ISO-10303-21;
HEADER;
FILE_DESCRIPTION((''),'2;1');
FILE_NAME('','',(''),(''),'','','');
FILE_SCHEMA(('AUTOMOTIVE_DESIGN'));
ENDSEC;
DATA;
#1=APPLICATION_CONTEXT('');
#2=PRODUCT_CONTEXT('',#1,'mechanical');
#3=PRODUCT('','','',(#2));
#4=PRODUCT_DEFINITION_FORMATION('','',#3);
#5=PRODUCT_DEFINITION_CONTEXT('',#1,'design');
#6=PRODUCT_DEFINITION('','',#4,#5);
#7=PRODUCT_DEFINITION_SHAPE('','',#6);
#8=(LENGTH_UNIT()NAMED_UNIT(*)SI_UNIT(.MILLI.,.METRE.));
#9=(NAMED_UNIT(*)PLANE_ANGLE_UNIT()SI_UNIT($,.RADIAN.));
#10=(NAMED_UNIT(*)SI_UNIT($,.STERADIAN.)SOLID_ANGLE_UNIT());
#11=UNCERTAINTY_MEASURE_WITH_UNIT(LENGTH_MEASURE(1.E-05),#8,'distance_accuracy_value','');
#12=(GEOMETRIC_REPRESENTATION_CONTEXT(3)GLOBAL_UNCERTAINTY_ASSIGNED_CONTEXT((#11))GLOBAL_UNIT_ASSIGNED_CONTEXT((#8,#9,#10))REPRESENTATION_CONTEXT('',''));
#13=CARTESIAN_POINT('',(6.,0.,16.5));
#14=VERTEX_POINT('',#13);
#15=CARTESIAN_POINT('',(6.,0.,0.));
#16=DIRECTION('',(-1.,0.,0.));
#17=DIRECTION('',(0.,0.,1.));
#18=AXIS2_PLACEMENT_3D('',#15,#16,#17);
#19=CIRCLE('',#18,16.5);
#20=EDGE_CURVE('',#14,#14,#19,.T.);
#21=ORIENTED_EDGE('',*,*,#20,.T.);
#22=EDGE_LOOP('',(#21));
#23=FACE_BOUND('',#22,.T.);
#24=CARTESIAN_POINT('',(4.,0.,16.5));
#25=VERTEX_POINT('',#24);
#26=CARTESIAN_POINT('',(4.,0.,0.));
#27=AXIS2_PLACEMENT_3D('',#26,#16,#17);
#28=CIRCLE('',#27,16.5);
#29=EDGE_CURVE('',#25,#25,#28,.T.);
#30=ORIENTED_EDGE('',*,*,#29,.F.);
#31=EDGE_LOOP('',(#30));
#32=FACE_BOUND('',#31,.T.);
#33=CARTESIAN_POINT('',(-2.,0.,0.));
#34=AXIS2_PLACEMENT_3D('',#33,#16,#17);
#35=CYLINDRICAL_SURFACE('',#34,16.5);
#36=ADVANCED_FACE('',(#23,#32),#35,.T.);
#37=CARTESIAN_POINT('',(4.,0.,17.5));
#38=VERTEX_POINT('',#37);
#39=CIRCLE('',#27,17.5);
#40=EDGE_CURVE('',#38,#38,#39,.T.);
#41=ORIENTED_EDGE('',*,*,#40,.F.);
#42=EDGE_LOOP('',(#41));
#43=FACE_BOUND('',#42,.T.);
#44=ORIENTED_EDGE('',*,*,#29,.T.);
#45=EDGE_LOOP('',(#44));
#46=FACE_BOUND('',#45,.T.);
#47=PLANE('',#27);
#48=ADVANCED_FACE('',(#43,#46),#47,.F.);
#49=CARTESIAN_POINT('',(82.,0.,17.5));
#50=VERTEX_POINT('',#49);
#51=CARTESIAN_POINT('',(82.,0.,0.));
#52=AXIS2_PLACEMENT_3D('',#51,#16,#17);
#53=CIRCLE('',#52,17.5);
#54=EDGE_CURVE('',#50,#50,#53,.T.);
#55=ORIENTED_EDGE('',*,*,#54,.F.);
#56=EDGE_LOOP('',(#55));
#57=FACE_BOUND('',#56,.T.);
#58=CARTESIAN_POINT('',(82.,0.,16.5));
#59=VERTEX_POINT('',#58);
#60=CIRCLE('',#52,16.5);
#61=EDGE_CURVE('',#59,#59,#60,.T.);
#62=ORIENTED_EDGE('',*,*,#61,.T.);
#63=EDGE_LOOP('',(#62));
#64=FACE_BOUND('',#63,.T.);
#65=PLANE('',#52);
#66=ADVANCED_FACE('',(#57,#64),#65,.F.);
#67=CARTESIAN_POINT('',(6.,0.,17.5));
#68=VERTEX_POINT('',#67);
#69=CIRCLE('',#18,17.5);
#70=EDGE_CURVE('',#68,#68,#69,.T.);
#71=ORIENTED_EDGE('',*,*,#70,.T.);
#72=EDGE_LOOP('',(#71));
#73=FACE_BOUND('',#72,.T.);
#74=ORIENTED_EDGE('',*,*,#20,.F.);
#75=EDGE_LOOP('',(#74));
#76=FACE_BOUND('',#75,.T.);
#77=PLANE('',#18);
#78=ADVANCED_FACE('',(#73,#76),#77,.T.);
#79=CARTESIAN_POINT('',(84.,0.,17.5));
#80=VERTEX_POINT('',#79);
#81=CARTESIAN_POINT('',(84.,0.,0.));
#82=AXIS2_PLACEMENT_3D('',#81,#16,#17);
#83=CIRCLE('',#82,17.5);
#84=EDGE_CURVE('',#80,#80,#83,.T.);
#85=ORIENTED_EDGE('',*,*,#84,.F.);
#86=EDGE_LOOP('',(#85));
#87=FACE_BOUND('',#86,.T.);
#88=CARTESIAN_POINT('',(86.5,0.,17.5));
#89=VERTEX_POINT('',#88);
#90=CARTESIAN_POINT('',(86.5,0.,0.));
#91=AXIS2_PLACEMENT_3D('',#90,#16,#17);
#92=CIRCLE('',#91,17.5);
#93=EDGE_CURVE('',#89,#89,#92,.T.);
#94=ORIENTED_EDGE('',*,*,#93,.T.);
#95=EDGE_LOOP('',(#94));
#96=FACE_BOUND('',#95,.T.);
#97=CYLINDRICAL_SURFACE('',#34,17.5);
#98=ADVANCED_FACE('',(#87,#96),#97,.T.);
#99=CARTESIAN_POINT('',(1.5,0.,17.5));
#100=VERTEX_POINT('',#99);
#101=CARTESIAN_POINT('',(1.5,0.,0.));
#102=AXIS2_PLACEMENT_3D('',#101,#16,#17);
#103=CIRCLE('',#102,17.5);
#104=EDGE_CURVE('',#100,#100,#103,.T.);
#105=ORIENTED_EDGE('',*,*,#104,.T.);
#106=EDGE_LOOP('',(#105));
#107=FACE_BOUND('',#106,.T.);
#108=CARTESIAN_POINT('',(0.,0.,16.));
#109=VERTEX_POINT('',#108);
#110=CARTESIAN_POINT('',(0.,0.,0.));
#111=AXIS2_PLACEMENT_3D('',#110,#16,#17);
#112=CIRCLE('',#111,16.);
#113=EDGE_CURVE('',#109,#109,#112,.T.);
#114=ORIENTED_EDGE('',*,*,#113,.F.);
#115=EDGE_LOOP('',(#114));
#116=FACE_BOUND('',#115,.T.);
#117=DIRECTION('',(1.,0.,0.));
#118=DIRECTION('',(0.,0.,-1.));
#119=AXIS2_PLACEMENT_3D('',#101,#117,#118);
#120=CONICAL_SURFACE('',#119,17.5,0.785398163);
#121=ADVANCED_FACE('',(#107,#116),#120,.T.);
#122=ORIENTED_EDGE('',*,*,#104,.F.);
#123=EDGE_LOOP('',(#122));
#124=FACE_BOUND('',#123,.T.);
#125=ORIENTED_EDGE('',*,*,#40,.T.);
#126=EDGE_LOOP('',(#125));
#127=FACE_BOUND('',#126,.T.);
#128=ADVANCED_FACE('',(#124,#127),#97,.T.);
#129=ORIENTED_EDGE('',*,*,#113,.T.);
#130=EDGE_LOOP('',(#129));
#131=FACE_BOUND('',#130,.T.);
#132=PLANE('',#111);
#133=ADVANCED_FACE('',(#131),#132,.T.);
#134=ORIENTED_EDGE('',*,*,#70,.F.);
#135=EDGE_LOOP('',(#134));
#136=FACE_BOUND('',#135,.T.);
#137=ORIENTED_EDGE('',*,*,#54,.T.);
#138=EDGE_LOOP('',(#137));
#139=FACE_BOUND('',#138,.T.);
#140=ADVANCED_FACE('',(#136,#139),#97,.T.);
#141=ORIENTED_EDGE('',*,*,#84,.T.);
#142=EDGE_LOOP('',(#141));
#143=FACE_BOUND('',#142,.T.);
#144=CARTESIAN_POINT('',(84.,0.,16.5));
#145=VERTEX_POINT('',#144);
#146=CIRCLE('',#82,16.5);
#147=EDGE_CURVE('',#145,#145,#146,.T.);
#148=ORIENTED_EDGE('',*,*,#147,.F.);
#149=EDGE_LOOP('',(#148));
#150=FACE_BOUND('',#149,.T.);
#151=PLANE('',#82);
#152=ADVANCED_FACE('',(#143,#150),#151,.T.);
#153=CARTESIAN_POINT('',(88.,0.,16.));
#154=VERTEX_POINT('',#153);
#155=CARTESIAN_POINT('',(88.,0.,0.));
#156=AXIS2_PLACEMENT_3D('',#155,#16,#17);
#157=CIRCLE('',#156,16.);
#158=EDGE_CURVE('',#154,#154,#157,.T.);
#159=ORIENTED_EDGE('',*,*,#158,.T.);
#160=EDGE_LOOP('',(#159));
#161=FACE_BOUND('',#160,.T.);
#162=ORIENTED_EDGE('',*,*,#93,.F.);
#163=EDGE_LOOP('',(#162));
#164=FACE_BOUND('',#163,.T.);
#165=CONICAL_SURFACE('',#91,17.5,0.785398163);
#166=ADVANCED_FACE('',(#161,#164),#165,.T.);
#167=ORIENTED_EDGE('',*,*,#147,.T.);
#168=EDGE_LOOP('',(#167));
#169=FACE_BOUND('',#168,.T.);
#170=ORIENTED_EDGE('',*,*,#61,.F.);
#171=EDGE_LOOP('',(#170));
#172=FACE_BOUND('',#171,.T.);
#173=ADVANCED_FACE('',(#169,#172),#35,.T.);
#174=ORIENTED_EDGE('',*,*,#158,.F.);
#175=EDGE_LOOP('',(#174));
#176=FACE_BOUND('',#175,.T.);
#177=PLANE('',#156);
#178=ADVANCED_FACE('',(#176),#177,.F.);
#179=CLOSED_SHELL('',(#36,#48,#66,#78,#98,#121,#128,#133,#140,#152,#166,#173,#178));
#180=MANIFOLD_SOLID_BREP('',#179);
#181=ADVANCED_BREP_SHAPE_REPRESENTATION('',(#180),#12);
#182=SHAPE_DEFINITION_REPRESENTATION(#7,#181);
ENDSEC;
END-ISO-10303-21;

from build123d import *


with BuildPart() as part:
    # Sketch1 → Revolve1 (revolve)
    with BuildSketch(Plane.XY, mode=Mode.PRIVATE) as revolve1_sk:
        Polygon((4, 16.5), (4, 17.5), (1.5, 17.5), (0, 16), (0, 0), (88, 0), (88, 16), (86.5, 17.5), (84, 17.5), (84, 16.5), (82, 16.5), (82, 17.5), (6, 17.5), (6, 16.5), align=None)
    revolve(revolve1_sk.sketch.rotate(Axis((-2, 0, 0), (1, 0, 0)), 90), axis=Axis((-2, 0, 0), (1, 0, 0)))


solid = part.part
